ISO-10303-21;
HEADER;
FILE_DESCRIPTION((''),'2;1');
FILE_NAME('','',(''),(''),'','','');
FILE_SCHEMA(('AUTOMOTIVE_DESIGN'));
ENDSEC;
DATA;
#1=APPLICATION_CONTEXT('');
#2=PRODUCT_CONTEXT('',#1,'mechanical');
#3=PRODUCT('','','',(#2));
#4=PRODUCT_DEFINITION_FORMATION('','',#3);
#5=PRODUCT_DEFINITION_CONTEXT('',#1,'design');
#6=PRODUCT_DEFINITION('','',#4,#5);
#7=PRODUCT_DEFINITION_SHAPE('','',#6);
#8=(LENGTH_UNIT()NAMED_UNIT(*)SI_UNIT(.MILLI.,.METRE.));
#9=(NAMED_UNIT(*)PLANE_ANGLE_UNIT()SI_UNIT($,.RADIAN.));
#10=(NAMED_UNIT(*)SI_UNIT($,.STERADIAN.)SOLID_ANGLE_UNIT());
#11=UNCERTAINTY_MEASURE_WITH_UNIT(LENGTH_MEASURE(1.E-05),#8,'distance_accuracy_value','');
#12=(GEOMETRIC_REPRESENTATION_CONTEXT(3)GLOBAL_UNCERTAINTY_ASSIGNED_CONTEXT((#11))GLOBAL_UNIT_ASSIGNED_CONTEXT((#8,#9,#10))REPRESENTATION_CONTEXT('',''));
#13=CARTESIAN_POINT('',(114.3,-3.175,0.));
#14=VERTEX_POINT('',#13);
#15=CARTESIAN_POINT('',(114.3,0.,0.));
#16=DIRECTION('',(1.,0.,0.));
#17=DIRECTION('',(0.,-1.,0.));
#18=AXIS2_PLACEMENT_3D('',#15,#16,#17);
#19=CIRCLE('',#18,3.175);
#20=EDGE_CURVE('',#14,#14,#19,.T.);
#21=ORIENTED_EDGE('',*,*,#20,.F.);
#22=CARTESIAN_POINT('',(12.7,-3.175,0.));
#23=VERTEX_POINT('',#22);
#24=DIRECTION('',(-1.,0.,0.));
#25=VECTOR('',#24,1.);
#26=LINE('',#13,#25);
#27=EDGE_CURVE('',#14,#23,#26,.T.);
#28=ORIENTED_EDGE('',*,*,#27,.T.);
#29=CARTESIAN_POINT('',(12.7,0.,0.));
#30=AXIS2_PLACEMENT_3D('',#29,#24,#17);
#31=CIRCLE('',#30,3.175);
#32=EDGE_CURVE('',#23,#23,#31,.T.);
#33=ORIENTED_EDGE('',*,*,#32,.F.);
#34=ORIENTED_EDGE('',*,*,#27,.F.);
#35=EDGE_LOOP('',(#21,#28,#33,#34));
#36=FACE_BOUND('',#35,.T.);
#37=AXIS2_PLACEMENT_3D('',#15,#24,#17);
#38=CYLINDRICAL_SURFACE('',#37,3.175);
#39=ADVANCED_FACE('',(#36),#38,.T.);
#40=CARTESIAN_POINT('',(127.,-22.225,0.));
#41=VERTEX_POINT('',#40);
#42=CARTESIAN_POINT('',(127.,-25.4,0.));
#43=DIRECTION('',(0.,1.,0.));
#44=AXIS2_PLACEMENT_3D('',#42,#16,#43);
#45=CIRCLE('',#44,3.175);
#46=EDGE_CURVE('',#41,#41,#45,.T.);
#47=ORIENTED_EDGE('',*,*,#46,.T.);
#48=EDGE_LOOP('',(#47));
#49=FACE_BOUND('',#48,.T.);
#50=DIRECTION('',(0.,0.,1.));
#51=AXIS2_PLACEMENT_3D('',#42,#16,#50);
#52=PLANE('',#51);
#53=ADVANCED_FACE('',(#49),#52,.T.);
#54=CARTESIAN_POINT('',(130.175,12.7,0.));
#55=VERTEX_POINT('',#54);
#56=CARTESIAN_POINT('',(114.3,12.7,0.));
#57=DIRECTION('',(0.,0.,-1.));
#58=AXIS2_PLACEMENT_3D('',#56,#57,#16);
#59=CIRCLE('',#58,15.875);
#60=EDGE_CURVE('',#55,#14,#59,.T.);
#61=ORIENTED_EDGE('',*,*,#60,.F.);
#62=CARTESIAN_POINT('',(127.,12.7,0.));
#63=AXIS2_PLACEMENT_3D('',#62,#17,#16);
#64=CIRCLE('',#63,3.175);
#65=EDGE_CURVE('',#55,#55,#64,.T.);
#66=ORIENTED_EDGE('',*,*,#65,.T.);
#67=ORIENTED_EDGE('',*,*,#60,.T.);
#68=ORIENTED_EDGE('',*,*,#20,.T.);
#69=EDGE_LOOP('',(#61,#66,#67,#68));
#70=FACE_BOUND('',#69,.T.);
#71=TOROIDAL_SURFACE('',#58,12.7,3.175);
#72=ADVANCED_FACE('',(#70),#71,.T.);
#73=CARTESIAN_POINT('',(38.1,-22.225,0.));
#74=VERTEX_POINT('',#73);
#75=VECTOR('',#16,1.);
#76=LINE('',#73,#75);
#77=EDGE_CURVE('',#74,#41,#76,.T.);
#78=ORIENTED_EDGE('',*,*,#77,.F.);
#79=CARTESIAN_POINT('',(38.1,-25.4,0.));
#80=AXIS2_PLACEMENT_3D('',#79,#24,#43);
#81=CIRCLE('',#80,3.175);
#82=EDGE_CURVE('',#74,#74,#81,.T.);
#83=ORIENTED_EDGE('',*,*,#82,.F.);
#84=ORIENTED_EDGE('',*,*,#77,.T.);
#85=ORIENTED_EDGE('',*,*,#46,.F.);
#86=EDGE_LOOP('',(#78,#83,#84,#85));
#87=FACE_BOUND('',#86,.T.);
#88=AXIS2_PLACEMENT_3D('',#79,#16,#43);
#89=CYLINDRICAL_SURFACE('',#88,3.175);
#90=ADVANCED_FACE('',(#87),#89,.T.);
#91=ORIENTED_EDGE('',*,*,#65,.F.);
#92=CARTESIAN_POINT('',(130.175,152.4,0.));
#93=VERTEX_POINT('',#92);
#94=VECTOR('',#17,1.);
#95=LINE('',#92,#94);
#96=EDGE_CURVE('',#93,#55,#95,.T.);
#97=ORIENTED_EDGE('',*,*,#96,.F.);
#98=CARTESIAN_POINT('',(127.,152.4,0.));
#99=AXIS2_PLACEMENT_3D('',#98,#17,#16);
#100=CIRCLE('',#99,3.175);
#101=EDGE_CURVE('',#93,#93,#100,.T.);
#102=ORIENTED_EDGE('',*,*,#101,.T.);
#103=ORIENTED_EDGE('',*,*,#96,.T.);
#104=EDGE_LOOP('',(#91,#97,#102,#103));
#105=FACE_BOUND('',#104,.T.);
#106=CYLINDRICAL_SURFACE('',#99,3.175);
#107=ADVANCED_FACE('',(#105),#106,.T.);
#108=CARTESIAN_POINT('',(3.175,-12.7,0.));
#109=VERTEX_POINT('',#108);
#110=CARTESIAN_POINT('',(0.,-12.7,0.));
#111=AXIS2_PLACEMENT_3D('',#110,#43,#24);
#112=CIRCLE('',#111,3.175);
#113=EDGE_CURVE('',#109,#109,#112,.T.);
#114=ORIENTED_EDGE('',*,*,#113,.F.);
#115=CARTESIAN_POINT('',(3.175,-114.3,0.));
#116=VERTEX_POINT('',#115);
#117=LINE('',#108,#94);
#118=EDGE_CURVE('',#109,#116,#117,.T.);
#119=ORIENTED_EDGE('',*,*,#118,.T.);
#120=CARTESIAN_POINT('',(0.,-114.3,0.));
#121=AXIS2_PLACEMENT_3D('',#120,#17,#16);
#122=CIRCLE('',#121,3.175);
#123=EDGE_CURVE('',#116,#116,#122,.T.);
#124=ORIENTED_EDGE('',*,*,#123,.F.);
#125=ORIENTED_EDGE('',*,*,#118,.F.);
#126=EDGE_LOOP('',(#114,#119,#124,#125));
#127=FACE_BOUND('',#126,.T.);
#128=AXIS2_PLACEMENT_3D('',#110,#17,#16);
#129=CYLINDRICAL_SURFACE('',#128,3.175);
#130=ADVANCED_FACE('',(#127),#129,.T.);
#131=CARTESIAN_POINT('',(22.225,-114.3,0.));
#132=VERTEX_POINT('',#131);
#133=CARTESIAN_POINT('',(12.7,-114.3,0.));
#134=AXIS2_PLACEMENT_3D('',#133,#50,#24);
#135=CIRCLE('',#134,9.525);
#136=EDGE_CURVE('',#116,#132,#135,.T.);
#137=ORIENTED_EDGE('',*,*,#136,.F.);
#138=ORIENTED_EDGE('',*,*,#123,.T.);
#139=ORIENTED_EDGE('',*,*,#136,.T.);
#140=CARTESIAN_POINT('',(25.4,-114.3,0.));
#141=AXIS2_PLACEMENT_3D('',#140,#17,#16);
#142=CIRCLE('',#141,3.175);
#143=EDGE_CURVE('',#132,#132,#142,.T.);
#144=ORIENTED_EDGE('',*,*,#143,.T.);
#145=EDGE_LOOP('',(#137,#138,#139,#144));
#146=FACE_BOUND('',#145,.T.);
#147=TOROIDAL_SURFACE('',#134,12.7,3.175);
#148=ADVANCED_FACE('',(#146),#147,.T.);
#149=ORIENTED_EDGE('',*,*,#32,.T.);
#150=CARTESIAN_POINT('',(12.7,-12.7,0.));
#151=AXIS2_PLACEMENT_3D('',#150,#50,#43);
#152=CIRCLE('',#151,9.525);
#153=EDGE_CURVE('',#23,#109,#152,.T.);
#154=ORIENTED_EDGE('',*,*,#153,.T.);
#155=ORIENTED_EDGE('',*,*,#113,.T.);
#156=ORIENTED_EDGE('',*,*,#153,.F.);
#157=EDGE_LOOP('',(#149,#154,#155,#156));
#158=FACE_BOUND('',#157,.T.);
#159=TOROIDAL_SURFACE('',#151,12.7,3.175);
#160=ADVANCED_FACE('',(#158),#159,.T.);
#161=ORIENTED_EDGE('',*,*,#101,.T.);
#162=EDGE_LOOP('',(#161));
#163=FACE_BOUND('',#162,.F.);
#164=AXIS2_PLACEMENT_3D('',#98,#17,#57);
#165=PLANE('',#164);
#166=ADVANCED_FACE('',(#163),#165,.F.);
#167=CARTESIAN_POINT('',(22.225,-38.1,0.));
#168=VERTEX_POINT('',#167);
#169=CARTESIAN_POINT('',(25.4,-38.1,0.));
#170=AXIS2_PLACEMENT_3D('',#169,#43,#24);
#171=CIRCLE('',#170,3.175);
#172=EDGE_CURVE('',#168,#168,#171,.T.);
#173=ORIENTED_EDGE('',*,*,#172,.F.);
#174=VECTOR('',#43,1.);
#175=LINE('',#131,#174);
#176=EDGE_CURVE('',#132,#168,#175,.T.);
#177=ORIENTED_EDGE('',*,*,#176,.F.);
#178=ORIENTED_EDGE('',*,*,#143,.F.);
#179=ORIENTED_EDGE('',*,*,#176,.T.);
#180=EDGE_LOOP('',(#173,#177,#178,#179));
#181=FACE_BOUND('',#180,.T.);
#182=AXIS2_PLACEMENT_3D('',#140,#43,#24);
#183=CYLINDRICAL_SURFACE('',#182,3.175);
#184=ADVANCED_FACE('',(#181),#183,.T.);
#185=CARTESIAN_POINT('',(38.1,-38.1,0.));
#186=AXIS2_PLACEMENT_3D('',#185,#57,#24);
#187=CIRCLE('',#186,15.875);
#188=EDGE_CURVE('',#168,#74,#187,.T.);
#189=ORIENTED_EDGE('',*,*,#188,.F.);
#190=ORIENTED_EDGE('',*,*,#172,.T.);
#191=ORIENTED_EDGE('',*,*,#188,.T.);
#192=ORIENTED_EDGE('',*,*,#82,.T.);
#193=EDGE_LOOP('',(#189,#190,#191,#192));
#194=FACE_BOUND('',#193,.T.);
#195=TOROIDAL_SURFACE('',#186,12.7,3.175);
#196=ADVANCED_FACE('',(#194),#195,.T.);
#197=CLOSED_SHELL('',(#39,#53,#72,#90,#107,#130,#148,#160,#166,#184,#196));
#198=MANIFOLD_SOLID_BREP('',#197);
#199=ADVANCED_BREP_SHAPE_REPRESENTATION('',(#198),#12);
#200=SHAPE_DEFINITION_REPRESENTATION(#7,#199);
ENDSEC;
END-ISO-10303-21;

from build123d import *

# Parameters (mm, degrees)
F2_R = 3.175


with BuildPart() as f3:
    # F3: sweep along a path in F0
    with BuildLine(Plane.XY) as f3_path:
        Line((127, 152.4), (127, 12.7))
        ThreePointArc((127, 12.7), (123.2802561211, 3.7197438789), (114.3, 0))
        Line((114.3, 0), (12.7, 0))
        ThreePointArc((12.7, 0), (3.7197438789, -3.7197438789), (0, -12.7))
        Line((0, -12.7), (0, -114.3))
        ThreePointArc((0, -114.3), (12.7, -127), (25.4, -114.3))
        Line((25.4, -114.3), (25.4, -38.1))
        ThreePointArc((25.4, -38.1), (29.1197438789, -29.1197438789), (38.1, -25.4))
        Line((38.1, -25.4), (127, -25.4))
    # F2 (on offset) → F3 (sweep)
    with BuildSketch(Plane.XZ.offset(-152.4)):
        with Locations((127, 0)):
            Circle(F2_R)
    sweep(path=f3_path.line)


solid = f3.part
